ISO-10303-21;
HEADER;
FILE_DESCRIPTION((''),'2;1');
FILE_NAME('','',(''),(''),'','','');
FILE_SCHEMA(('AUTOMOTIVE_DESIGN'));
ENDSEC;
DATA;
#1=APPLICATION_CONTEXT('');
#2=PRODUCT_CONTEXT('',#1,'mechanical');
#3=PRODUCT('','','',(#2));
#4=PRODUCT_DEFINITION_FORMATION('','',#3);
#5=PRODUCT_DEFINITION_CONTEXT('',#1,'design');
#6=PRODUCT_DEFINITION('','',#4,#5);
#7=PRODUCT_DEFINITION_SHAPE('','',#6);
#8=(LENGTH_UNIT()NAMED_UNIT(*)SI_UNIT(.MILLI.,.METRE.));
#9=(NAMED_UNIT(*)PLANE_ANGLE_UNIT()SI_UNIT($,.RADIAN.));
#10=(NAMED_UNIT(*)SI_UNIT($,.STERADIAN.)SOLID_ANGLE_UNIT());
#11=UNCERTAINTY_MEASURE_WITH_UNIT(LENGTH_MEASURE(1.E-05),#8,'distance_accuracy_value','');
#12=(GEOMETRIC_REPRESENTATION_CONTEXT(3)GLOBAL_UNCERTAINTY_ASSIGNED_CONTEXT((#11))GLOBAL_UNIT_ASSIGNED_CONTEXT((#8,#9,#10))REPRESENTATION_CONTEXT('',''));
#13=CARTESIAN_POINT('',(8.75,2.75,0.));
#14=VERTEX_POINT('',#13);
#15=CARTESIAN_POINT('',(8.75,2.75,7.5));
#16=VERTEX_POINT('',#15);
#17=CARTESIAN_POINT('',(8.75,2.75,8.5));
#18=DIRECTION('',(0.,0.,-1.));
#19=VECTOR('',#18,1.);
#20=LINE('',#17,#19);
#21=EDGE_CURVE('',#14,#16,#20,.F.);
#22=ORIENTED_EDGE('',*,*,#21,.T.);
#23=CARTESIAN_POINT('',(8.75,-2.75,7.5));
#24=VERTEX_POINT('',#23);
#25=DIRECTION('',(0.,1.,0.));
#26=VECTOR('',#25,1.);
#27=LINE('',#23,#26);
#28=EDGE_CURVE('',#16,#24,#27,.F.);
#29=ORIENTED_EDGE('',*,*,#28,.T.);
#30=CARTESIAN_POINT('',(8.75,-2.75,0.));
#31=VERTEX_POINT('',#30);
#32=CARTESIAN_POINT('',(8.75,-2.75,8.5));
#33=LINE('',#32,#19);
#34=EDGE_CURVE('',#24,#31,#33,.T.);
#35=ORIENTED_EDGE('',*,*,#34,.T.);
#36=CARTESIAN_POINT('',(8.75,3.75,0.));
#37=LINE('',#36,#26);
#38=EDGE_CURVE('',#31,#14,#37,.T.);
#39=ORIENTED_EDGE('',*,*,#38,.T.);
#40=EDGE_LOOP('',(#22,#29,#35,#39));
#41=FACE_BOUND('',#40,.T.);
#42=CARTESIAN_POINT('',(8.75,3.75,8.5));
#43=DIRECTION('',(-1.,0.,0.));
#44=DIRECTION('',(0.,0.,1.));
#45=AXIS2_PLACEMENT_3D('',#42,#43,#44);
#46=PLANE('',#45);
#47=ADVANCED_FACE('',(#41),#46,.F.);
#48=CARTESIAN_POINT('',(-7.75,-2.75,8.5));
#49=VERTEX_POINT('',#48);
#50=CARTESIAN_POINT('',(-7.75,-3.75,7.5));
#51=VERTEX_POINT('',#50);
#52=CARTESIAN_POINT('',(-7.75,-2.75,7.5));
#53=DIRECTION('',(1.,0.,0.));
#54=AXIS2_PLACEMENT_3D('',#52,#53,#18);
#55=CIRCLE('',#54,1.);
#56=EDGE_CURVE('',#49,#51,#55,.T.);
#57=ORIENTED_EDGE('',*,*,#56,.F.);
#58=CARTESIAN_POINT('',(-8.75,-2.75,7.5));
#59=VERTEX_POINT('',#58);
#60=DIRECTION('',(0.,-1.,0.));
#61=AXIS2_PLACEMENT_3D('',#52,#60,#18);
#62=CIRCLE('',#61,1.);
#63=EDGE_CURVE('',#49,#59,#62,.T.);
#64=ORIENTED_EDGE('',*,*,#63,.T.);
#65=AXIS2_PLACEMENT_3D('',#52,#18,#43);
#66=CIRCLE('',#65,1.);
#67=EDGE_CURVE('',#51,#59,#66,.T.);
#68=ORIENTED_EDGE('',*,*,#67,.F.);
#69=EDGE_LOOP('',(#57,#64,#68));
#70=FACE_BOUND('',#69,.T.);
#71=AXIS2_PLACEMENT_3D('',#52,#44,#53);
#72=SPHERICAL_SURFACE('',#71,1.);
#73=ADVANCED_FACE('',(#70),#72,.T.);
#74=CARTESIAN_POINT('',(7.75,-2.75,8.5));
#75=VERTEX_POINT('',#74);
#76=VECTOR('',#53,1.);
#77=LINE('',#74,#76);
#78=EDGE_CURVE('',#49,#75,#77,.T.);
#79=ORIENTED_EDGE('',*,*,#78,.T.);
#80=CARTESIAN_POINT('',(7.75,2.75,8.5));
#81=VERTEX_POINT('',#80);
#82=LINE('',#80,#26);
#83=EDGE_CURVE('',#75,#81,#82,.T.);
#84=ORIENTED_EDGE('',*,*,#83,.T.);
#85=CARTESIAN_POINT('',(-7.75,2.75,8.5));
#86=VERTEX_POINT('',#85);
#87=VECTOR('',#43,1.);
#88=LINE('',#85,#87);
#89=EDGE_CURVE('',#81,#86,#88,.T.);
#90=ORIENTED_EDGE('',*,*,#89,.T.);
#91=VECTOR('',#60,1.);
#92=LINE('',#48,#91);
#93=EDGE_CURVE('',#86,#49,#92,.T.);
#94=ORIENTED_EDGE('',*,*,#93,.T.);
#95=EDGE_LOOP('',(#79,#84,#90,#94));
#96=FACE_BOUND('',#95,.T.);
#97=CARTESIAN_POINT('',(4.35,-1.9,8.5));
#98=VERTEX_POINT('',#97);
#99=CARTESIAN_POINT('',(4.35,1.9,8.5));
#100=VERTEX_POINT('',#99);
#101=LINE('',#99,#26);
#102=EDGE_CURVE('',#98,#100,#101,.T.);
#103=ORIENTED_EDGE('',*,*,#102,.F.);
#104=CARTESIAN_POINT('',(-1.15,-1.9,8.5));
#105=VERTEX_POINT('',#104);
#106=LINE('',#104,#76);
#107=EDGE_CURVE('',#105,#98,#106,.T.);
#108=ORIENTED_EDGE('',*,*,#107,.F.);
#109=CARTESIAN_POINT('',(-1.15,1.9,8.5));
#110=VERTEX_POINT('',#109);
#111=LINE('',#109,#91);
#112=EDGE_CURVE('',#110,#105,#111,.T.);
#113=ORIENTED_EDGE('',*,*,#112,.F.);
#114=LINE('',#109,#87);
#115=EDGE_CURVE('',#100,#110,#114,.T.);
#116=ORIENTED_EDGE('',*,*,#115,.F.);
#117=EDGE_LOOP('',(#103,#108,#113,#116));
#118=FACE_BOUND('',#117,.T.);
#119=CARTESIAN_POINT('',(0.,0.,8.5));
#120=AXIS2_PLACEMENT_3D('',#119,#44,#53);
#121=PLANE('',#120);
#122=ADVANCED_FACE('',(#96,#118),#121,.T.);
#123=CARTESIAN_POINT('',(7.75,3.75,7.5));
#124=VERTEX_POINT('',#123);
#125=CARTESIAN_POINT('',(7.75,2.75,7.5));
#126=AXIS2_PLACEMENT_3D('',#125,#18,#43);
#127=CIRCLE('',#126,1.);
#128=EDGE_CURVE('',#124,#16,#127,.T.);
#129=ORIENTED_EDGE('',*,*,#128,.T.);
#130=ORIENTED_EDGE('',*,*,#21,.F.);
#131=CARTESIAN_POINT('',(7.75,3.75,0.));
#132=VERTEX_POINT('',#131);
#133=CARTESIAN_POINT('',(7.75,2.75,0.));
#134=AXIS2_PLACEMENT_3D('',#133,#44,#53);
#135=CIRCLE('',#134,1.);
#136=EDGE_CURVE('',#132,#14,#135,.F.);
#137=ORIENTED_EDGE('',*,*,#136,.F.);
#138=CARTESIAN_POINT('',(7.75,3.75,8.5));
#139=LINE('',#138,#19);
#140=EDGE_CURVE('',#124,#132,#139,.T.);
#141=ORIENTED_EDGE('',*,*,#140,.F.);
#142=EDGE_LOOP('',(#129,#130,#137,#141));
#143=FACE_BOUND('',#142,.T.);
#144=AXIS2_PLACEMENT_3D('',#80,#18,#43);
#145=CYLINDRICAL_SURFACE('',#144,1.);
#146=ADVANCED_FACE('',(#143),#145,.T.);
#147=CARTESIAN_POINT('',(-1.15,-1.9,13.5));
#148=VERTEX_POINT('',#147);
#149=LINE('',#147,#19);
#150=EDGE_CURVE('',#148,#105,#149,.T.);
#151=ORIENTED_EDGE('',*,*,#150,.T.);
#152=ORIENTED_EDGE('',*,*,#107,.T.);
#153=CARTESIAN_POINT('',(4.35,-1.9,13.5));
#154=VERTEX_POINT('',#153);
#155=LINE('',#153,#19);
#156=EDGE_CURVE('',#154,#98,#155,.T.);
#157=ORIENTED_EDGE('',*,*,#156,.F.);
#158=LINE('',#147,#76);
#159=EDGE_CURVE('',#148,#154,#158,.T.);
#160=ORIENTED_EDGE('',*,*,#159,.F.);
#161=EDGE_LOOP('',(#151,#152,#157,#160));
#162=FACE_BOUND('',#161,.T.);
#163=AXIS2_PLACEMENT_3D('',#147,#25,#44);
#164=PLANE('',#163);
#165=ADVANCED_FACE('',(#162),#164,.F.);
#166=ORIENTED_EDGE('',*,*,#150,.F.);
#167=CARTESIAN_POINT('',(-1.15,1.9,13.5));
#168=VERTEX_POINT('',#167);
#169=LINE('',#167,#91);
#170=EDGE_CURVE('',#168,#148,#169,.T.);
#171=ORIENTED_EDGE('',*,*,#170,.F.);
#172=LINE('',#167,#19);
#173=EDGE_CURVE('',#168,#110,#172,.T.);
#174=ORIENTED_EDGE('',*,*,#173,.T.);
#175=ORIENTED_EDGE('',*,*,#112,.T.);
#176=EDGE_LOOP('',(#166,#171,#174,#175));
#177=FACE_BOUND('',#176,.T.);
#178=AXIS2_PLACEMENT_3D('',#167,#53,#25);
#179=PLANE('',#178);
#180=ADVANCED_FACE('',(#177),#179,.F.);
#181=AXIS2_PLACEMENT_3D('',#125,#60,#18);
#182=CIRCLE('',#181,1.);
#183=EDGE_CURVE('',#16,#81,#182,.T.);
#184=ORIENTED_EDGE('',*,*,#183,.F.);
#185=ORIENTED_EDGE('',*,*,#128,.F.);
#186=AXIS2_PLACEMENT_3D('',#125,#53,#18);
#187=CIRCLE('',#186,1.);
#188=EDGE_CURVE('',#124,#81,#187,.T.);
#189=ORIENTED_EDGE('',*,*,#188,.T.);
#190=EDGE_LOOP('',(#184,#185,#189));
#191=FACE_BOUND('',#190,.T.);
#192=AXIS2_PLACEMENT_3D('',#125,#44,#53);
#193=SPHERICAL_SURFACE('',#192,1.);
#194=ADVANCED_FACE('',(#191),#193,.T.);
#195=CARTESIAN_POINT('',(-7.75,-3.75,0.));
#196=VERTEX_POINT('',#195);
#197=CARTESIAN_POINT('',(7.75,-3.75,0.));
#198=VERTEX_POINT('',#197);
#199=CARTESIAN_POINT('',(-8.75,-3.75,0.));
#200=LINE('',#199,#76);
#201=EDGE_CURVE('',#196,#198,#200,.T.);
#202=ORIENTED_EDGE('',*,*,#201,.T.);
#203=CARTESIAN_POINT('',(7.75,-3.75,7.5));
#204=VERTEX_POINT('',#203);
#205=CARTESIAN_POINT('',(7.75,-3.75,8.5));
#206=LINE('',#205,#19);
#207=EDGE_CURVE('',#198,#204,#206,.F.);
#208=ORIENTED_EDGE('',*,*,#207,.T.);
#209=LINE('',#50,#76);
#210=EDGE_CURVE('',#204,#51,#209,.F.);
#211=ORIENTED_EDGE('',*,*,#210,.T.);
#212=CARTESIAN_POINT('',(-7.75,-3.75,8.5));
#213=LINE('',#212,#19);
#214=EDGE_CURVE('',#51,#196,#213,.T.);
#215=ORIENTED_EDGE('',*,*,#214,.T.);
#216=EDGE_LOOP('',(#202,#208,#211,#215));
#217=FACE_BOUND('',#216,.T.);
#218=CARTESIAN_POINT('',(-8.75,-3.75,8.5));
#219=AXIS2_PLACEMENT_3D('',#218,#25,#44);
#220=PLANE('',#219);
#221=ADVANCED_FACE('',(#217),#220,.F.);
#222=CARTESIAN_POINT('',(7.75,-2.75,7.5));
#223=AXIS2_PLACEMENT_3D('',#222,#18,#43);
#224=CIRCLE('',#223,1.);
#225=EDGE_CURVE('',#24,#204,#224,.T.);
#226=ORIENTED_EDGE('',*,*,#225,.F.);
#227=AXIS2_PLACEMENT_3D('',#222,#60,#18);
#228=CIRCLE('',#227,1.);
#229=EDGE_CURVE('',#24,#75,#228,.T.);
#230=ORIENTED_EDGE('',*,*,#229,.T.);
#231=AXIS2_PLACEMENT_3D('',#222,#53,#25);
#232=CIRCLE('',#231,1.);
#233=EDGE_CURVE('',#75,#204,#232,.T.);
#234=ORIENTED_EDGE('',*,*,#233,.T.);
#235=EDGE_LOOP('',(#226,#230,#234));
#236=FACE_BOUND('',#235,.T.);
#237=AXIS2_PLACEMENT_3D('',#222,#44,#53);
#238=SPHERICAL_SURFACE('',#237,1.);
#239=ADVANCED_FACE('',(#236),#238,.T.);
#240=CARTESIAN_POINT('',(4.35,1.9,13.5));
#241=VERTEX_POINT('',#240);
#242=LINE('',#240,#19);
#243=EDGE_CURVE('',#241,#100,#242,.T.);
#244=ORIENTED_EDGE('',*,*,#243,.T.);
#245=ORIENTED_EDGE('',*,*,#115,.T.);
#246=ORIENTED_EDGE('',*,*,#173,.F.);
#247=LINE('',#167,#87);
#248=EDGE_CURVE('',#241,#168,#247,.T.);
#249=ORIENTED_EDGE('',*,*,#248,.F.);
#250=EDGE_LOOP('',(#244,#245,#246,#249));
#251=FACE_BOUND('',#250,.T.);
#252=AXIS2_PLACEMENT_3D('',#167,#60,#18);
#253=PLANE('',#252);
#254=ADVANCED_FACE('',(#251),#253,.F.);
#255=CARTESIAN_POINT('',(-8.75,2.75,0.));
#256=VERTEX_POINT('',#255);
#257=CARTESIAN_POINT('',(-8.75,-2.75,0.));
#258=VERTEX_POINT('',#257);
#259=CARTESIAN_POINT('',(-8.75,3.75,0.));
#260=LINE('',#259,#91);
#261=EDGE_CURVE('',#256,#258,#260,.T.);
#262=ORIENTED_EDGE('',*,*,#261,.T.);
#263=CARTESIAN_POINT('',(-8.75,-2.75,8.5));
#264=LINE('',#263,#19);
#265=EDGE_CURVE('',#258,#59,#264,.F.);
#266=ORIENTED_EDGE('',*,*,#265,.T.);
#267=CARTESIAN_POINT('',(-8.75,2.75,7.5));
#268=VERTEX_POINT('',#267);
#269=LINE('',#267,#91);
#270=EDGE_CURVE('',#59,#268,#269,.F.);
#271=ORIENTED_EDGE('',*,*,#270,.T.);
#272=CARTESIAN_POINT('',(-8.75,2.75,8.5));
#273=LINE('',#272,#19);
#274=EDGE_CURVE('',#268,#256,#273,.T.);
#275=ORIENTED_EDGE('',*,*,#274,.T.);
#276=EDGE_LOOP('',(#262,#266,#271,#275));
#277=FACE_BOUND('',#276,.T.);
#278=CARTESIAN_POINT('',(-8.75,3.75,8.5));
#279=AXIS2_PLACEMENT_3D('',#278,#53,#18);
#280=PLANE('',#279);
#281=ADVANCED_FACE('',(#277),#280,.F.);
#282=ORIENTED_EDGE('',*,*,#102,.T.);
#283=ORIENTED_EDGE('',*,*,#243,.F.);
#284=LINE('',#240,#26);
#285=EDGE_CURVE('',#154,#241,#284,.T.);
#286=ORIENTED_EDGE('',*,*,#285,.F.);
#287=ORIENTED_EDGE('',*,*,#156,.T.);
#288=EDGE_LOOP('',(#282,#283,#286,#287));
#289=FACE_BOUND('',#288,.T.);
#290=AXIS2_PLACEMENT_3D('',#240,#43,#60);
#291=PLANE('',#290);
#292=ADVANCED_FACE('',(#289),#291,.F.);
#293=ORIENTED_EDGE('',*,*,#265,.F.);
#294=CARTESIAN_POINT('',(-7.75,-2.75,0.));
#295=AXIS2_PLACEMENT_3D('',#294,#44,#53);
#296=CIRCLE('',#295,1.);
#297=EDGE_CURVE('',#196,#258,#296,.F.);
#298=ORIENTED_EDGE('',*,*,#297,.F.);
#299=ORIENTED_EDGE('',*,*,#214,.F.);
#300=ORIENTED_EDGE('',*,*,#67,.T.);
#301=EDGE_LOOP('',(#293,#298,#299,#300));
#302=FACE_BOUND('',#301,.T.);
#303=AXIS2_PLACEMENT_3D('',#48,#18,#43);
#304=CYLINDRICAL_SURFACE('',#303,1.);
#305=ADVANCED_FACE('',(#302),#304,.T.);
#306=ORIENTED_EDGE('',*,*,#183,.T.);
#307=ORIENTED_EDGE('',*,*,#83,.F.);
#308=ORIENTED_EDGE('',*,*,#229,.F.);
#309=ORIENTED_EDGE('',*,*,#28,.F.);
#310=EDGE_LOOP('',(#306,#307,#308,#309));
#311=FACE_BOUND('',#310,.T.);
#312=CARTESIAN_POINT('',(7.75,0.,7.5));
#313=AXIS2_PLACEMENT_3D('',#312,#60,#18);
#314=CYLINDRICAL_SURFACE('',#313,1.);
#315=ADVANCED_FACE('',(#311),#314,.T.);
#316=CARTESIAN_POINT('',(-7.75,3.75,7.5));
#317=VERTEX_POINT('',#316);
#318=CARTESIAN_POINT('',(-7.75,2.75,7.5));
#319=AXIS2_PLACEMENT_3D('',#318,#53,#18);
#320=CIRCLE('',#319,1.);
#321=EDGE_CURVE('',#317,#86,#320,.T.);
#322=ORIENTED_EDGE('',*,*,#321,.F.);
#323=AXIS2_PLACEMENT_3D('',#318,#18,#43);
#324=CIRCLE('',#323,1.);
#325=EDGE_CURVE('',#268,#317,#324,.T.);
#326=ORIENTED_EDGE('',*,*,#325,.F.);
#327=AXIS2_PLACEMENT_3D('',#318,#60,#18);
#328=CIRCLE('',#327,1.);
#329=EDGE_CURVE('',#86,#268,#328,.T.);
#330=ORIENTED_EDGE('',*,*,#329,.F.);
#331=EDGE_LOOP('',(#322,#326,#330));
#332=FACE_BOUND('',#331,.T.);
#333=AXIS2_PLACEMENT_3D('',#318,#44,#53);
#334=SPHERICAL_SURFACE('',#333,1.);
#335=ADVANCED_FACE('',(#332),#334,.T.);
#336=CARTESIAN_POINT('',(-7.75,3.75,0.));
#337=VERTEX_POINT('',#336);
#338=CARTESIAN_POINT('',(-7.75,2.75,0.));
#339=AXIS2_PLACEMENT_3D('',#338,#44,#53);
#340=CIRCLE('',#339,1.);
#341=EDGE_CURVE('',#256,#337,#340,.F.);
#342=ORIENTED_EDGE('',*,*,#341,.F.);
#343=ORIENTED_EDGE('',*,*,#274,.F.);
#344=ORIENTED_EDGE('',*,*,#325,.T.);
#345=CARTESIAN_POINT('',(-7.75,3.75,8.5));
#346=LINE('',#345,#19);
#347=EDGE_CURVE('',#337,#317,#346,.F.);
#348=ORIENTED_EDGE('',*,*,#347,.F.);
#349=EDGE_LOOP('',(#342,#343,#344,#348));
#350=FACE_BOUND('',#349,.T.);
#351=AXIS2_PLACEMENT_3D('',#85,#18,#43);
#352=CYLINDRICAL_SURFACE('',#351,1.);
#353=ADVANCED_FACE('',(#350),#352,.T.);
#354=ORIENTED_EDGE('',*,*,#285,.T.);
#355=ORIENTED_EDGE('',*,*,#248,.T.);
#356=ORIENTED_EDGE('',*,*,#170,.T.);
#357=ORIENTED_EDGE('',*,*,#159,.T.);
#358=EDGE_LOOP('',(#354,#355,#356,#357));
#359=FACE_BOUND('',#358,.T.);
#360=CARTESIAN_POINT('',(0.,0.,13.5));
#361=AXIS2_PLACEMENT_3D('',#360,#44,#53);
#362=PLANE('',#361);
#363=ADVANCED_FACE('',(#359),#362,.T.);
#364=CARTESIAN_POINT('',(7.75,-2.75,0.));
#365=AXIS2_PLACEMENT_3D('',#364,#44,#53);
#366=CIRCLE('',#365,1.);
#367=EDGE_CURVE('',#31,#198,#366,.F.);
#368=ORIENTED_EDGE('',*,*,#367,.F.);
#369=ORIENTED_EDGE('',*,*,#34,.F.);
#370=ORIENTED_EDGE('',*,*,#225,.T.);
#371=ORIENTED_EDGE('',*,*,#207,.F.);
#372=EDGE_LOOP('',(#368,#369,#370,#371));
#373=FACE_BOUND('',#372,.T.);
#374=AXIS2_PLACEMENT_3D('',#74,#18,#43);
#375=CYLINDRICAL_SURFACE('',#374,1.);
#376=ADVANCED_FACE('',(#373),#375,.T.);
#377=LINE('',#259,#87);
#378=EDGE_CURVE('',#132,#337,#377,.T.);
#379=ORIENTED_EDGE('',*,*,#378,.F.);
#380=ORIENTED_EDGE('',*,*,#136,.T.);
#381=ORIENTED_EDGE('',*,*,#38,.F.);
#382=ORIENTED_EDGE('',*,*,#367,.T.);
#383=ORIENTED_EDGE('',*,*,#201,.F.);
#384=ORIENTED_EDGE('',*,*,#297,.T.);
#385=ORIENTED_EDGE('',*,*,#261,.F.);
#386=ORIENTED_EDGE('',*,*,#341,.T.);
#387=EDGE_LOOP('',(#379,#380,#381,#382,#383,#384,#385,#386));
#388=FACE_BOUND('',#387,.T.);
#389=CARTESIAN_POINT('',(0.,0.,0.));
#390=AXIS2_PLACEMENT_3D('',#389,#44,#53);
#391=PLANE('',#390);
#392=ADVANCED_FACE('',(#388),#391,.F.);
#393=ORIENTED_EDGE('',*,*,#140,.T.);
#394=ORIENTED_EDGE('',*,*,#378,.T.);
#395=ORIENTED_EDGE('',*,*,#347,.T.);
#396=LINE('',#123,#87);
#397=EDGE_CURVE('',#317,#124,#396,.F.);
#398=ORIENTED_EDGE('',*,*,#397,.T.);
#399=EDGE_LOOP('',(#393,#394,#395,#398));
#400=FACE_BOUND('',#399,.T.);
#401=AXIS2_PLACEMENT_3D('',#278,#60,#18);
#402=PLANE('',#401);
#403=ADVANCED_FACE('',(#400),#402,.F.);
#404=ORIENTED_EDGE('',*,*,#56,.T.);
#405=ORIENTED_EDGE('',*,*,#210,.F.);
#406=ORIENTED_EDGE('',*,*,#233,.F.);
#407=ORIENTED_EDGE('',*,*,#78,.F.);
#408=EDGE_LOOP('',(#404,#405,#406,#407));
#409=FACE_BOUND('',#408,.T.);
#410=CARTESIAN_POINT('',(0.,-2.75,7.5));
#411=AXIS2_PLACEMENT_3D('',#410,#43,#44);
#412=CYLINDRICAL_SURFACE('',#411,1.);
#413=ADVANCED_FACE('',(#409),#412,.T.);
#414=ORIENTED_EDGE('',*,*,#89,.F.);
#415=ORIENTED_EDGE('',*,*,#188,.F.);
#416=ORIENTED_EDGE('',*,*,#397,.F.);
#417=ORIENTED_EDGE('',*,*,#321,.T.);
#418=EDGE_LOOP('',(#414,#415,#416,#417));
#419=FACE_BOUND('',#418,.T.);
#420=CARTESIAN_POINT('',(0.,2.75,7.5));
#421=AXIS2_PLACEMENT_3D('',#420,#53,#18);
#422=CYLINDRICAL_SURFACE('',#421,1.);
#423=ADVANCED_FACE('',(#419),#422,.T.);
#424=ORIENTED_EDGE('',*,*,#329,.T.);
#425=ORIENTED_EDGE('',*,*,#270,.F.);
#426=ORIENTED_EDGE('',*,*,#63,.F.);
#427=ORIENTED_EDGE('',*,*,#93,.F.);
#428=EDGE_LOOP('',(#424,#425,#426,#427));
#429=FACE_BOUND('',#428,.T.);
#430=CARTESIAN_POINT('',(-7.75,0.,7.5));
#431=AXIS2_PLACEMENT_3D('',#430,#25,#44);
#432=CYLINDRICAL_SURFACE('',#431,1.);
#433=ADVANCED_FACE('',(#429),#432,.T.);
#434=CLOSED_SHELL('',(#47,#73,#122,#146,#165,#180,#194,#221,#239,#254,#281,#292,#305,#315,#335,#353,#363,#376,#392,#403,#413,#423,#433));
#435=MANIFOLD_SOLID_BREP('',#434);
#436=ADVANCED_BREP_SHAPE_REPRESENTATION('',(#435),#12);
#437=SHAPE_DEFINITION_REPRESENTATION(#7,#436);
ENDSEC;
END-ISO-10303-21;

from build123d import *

# Parameters (mm, degrees)
SKETCH1_W           = 17.5
SKETCH1_H           = 7.5
BOSS_EXTRUDE1_DEPTH = 8.5
SKETCH2_W           = 5.5
SKETCH2_H           = 3.8
BOSS_EXTRUDE2_DEPTH = 5
FILLET1_R           = 1
FILLET2_R           = 1


with BuildPart() as part:
    # Sketch1 → Boss-Extrude1 (new body)
    with BuildSketch(Plane.XY):
        Rectangle(SKETCH1_W, SKETCH1_H)
    extrude(amount=BOSS_EXTRUDE1_DEPTH)

    # Sketch2 → Boss-Extrude2 (add)
    with BuildSketch(Plane.XY.offset(8.5)):
        with Locations((1.6, 0)):
            Rectangle(SKETCH2_W, SKETCH2_H)
    extrude(amount=BOSS_EXTRUDE2_DEPTH)

    # Fillet1
    fillet1_edges = [part.edges().sort_by_distance(p)[0] for p in [
        (8.75, -3.75, 4.25),
        (-8.75, -3.75, 4.25),
        (-8.75, 3.75, 4.25),
        (8.75, 3.75, 4.25),
    ]]
    fillet(fillet1_edges, radius=FILLET1_R)

    # Fillet2
    fillet2_edges = [part.edges().sort_by_distance(p)[0] for p in [
        (8.75, 0, 8.5),
        (0, -3.75, 8.5),
        (0, 3.75, 8.5),
        (-8.75, 0, 8.5),
        (-8.457106781, 3.457106781, 8.5),
        (-8.457106781, -3.457106781, 8.5),
        (8.457106781, 3.457106781, 8.5),
        (8.457106781, -3.457106781, 8.5),
    ]]
    fillet(fillet2_edges, radius=FILLET2_R)


solid = part.part
